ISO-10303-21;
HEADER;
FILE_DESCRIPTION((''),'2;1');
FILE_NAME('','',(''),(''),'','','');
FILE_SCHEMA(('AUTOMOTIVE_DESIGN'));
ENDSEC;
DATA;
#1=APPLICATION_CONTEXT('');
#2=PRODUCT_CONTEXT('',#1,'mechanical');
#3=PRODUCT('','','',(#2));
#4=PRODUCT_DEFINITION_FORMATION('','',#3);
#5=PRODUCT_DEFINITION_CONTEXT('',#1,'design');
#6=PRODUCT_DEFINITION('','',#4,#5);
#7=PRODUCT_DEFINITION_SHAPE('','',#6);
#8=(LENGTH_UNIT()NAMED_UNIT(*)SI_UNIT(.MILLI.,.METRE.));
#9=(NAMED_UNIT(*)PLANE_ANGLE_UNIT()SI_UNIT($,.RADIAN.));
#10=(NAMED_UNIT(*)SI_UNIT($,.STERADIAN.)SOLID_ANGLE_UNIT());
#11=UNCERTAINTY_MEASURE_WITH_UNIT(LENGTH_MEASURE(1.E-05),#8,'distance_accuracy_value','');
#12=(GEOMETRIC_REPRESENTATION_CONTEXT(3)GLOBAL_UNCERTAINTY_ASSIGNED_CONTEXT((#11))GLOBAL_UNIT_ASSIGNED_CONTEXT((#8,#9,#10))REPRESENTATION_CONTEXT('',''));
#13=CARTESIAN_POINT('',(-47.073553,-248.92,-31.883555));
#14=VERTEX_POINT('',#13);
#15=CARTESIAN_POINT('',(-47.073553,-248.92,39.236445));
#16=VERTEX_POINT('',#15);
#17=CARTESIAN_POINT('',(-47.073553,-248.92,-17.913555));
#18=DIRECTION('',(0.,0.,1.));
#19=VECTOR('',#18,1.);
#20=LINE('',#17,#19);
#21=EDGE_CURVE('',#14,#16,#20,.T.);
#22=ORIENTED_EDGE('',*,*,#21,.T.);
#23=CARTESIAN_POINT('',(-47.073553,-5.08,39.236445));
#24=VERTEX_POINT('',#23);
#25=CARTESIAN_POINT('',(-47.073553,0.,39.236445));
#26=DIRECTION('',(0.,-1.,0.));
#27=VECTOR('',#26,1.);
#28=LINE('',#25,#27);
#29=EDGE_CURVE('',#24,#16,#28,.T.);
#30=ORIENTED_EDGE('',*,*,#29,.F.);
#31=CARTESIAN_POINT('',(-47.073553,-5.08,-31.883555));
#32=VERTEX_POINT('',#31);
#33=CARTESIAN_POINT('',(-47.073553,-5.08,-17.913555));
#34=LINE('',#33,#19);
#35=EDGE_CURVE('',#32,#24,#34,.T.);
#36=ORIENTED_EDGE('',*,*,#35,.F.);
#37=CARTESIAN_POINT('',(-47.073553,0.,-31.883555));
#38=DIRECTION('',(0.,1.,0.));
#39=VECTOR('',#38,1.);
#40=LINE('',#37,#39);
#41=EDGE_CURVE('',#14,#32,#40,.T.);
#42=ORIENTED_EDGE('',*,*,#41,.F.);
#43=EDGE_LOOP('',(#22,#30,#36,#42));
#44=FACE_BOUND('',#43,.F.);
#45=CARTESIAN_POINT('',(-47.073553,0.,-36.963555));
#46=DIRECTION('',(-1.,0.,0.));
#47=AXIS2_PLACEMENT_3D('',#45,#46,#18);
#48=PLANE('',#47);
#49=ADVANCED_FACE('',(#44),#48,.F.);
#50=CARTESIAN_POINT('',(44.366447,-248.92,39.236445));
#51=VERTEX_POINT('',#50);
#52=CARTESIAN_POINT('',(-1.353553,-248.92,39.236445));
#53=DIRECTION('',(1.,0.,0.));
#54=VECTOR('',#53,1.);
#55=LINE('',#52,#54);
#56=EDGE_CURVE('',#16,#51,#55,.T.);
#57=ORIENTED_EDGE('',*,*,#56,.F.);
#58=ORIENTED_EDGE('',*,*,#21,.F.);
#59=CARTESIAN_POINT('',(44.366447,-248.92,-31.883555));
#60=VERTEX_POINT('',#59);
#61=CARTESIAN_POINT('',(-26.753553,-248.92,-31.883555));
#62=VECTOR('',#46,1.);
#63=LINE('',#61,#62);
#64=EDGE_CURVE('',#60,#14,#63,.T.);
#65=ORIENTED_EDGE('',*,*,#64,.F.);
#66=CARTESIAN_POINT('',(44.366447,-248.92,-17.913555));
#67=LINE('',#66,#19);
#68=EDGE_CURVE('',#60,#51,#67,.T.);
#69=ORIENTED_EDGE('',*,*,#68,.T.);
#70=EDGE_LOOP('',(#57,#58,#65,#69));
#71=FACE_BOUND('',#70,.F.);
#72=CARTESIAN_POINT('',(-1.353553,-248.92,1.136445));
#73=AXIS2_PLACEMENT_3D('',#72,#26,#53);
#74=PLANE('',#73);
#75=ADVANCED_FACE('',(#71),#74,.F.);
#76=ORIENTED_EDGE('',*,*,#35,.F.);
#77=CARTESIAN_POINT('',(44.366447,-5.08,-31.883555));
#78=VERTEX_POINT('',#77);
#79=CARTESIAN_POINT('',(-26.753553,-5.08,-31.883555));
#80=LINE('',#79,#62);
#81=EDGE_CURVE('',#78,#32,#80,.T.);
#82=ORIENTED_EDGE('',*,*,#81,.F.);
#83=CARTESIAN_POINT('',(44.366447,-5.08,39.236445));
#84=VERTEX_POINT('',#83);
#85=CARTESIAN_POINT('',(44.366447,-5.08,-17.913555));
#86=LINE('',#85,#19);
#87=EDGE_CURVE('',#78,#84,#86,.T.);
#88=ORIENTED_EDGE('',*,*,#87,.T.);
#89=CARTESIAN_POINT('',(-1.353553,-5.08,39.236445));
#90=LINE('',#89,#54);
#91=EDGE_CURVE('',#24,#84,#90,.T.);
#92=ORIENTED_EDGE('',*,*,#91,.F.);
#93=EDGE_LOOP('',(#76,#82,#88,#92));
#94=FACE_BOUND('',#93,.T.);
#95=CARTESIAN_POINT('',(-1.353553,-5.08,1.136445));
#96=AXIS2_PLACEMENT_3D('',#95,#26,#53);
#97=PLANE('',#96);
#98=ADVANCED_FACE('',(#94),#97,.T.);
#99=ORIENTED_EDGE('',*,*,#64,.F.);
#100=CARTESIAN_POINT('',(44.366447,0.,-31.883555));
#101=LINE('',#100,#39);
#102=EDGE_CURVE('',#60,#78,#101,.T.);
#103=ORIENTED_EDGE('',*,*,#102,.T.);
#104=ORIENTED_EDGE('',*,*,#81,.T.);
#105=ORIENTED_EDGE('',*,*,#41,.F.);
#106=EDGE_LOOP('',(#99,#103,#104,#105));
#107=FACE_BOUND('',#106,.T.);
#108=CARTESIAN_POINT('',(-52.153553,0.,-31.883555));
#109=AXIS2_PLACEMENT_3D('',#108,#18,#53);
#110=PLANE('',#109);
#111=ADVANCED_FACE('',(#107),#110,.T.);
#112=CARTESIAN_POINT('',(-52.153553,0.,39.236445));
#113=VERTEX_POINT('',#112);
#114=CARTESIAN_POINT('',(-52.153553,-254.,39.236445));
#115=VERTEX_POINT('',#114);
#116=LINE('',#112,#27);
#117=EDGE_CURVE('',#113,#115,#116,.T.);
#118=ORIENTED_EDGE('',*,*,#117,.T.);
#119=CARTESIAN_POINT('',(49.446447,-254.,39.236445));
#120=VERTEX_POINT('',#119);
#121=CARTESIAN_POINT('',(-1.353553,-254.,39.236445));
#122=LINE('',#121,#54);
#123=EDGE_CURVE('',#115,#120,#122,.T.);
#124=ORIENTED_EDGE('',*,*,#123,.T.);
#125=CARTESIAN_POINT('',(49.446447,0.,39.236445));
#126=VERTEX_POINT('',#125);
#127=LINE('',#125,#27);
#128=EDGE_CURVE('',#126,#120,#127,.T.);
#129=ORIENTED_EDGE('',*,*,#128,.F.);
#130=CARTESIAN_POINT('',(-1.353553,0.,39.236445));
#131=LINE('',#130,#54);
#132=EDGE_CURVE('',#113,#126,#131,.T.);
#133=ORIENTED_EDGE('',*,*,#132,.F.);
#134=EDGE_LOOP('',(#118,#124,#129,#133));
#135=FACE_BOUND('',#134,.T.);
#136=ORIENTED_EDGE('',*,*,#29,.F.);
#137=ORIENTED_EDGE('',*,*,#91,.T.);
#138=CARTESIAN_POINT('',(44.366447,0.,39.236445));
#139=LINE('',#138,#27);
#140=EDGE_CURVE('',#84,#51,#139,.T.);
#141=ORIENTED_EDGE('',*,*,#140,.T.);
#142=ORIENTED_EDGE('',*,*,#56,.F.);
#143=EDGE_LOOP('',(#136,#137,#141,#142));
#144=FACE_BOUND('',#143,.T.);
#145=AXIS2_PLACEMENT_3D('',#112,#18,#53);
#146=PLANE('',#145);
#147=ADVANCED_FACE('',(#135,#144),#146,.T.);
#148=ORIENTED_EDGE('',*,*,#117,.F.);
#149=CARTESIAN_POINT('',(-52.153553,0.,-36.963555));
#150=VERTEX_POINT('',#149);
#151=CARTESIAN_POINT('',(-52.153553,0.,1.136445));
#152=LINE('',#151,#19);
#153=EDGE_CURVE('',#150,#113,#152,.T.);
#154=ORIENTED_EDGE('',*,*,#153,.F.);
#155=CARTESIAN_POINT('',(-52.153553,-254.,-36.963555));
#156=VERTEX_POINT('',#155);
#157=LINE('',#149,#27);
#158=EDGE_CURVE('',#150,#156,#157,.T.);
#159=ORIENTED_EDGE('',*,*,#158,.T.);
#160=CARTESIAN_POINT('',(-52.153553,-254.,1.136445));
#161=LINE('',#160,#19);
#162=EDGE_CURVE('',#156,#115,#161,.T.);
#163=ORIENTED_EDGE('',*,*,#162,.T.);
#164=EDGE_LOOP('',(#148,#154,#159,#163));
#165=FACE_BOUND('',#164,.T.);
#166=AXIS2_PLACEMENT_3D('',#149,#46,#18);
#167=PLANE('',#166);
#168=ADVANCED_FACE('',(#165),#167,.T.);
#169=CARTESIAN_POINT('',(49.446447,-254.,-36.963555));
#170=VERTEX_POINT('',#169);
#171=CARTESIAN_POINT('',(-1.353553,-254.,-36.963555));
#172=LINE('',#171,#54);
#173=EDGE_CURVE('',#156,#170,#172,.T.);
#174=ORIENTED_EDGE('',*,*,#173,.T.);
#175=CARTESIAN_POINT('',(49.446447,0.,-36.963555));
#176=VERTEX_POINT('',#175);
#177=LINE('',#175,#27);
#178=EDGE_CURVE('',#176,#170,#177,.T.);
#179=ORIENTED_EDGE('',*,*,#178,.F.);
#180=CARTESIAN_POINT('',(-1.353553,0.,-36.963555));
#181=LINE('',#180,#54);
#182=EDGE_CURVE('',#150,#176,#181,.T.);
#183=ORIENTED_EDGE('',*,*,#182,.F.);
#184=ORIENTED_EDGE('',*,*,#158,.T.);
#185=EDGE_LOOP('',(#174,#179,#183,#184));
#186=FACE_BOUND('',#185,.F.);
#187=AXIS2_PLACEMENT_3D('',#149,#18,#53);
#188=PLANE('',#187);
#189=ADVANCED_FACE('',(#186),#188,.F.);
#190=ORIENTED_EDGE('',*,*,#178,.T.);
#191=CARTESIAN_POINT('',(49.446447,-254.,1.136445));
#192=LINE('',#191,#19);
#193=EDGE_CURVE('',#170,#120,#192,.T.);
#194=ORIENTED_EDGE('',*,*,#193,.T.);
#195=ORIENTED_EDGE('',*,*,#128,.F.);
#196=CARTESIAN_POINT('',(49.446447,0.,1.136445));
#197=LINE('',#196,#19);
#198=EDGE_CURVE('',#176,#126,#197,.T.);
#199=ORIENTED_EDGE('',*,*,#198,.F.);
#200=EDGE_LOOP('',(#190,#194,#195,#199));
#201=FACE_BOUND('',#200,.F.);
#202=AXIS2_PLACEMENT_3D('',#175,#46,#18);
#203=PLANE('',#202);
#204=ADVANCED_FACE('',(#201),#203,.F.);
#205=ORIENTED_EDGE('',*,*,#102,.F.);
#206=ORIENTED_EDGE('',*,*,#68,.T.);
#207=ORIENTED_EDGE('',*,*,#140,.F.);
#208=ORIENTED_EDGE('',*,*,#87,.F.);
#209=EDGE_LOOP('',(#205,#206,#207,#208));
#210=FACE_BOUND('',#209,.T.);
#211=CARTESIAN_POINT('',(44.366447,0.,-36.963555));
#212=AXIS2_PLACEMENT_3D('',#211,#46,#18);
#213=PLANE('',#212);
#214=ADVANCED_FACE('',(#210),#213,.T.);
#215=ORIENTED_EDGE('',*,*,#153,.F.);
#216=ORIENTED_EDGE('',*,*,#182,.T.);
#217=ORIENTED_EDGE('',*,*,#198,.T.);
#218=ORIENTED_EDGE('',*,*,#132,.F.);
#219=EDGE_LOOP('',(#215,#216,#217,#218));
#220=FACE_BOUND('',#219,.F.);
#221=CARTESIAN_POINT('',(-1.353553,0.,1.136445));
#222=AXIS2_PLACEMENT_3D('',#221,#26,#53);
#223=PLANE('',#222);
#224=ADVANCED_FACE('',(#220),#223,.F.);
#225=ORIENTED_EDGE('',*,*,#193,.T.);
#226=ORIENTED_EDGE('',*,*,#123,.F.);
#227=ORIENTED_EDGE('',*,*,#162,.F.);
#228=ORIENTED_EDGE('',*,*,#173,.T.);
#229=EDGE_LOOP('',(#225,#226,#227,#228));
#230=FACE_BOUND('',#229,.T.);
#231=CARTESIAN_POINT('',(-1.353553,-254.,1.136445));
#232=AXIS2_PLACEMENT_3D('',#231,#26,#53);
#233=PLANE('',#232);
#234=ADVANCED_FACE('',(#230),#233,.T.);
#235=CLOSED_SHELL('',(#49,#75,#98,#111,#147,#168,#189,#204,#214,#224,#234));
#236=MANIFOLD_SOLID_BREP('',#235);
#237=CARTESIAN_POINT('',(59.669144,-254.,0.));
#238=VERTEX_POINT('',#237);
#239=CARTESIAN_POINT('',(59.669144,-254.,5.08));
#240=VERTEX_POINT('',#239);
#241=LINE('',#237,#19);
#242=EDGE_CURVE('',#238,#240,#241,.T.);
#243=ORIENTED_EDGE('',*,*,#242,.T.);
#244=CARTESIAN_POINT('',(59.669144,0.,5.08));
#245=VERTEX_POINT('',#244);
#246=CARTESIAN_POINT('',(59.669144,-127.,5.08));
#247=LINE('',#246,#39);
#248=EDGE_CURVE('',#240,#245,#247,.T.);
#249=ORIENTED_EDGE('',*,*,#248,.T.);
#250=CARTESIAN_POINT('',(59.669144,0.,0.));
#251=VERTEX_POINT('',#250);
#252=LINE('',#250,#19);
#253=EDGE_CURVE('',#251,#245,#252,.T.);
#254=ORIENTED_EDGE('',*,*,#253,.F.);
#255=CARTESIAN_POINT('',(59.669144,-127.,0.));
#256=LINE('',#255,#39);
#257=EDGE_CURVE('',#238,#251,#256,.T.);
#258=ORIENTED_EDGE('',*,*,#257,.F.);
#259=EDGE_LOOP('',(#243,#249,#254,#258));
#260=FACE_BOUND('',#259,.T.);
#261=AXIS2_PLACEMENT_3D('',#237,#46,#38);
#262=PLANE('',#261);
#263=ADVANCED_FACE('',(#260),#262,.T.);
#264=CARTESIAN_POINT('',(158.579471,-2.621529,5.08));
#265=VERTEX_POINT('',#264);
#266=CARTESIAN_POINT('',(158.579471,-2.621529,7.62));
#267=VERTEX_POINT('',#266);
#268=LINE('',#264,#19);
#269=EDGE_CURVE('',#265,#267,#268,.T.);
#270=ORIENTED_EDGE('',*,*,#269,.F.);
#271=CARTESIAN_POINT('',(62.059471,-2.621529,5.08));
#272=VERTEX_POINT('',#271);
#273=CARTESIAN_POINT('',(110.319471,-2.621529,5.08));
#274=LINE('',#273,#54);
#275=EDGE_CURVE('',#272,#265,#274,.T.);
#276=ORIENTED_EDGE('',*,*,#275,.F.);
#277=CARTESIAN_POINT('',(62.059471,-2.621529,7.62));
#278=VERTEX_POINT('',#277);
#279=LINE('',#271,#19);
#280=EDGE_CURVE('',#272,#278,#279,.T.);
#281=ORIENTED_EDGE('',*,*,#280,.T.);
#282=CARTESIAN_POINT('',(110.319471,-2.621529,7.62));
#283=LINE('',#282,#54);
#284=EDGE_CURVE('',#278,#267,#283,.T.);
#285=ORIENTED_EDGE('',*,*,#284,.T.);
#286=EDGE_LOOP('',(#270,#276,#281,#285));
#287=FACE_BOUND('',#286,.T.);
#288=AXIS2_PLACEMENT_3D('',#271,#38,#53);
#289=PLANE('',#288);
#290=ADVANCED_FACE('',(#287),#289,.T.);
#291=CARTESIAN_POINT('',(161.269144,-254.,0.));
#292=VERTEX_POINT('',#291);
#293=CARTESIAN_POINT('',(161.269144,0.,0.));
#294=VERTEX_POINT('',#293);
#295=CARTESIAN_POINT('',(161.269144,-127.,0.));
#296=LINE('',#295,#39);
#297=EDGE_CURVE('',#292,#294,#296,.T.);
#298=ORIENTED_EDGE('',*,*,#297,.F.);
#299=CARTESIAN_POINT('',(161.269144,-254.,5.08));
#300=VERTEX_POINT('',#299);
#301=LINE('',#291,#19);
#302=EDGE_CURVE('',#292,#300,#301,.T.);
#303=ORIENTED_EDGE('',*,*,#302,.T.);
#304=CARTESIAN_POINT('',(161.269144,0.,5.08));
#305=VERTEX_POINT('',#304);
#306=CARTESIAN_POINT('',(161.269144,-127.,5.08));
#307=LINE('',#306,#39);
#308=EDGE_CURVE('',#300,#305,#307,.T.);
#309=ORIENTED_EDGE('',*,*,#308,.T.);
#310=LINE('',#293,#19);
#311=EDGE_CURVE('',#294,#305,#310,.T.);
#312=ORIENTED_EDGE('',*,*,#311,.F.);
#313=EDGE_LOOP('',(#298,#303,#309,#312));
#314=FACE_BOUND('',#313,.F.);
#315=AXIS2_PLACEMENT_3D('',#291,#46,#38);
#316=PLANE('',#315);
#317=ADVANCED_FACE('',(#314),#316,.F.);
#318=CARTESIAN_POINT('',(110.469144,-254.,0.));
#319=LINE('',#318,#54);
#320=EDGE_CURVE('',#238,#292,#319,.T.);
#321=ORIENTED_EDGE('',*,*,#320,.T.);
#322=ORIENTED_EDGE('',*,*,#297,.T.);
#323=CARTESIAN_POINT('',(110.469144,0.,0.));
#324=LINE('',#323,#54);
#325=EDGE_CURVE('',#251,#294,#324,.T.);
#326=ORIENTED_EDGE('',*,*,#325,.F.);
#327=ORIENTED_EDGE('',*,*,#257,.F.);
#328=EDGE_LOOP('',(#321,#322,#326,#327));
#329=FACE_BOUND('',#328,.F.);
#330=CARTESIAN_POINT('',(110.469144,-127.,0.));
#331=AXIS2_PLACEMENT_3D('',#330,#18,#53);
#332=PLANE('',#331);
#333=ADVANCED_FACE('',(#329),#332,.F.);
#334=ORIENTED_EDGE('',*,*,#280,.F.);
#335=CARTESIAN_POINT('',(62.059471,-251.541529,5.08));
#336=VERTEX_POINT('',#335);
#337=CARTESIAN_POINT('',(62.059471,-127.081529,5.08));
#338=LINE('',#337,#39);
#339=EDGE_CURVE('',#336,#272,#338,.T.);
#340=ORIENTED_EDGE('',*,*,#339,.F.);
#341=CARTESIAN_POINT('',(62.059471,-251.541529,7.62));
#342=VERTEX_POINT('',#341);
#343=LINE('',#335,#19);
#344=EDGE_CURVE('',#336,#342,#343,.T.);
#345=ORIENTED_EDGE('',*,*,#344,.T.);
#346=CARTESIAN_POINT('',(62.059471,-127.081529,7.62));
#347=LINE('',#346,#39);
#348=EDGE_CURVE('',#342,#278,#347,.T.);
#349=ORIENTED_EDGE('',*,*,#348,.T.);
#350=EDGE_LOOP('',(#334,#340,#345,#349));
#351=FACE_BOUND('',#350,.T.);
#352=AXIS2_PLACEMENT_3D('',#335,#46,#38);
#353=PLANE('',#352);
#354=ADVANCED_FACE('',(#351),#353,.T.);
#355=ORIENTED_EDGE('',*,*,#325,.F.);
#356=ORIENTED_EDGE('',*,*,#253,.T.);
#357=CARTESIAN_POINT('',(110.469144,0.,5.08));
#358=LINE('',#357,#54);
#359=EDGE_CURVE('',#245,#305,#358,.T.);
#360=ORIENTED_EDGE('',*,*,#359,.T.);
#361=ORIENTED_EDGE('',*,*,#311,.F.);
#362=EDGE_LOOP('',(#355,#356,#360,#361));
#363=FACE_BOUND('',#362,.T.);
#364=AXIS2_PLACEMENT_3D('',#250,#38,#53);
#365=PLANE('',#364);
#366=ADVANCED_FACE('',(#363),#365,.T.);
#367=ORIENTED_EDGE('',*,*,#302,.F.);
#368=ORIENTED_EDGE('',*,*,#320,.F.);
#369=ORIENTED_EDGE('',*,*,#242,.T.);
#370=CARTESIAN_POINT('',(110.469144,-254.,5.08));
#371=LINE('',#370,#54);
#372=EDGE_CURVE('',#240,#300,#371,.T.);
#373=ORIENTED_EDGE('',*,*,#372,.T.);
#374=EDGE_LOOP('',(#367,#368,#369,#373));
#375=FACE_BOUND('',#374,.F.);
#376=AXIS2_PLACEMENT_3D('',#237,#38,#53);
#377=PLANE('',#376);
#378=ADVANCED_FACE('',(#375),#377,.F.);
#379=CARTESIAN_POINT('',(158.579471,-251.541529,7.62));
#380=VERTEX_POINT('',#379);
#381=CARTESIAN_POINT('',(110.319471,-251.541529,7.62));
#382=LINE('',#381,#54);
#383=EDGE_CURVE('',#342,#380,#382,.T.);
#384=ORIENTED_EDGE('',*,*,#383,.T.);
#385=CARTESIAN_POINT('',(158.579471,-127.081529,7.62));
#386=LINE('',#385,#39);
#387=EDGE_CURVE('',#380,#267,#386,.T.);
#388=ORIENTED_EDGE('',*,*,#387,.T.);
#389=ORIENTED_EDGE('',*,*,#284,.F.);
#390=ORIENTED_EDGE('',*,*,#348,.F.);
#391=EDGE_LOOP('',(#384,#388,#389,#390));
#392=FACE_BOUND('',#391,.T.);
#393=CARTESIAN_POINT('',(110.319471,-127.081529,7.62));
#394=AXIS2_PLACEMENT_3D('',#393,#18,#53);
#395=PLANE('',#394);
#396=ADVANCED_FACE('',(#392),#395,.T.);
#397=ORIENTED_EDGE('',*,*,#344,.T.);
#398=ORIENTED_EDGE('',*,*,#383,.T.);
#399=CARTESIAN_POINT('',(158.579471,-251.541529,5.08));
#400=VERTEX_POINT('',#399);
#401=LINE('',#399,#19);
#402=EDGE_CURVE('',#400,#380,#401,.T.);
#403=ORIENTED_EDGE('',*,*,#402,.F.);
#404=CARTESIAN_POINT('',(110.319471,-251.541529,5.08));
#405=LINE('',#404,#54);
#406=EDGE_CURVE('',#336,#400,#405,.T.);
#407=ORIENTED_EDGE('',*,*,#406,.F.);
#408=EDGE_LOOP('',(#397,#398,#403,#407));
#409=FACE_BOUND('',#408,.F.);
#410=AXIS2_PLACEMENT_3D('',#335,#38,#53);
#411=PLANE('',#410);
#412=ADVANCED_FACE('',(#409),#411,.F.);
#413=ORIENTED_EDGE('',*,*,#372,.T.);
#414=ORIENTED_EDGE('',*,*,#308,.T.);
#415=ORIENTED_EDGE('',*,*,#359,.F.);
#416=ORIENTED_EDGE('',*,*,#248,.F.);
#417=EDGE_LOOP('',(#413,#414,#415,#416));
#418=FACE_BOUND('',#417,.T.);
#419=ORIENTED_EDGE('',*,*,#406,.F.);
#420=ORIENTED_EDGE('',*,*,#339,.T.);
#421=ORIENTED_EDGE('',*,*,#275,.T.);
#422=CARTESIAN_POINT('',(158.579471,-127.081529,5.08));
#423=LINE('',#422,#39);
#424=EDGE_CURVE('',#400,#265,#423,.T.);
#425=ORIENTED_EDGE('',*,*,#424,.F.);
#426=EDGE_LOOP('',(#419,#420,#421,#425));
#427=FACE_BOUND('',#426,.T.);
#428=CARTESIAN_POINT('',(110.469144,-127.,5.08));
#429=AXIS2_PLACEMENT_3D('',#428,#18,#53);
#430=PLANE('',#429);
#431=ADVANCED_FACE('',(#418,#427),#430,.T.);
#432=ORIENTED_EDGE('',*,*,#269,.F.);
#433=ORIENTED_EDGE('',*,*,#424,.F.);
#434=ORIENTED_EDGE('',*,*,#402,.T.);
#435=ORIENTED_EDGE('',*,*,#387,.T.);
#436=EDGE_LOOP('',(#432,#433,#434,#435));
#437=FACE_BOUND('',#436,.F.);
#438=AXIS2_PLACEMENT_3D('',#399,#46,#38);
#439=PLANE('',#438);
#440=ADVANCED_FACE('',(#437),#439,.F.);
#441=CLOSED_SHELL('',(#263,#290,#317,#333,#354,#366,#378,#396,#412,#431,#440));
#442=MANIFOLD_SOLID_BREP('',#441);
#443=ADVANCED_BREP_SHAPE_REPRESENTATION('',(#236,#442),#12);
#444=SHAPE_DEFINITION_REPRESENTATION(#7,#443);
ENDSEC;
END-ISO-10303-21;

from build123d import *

# Parameters (mm, degrees)
F0_W     = 101.6
F0_H     = 76.2
F1_DEPTH = 254
F2_T     = -5.08
F3_W     = 101.6
F3_H     = 254
F4_DEPTH = 5.08
F5_W     = 96.52
F5_H     = 248.92
F6_DEPTH = 2.54


with BuildPart() as f1:
    # F0 (on Front) → F1 (new body)
    with BuildSketch(Plane.XZ):
        with Locations((-1.353553, 1.136445)):
            Rectangle(F0_W, F0_H)
    extrude(amount=F1_DEPTH)

    # F2
    f2_openings = [f1.faces().sort_by_distance(p)[0] for p in [
        (-1.353553, -127, 39.236445),
    ]]
    offset(amount=F2_T, openings=f2_openings)


with BuildPart() as f4:
    # F3 (on Top) → F4 (new body)
    with BuildSketch(Plane.XY):
        with Locations((110.469144, -127)):
            Rectangle(F3_W, F3_H)
    extrude(amount=F4_DEPTH)

    # F5 (on face) → F6 (join)
    with BuildSketch(Plane.XY.offset(5.08)):
        with Locations((110.319471, -127.081529)):
            Rectangle(F5_W, F5_H)
    extrude(amount=F6_DEPTH)


solid = Compound([f1.part, f4.part])
